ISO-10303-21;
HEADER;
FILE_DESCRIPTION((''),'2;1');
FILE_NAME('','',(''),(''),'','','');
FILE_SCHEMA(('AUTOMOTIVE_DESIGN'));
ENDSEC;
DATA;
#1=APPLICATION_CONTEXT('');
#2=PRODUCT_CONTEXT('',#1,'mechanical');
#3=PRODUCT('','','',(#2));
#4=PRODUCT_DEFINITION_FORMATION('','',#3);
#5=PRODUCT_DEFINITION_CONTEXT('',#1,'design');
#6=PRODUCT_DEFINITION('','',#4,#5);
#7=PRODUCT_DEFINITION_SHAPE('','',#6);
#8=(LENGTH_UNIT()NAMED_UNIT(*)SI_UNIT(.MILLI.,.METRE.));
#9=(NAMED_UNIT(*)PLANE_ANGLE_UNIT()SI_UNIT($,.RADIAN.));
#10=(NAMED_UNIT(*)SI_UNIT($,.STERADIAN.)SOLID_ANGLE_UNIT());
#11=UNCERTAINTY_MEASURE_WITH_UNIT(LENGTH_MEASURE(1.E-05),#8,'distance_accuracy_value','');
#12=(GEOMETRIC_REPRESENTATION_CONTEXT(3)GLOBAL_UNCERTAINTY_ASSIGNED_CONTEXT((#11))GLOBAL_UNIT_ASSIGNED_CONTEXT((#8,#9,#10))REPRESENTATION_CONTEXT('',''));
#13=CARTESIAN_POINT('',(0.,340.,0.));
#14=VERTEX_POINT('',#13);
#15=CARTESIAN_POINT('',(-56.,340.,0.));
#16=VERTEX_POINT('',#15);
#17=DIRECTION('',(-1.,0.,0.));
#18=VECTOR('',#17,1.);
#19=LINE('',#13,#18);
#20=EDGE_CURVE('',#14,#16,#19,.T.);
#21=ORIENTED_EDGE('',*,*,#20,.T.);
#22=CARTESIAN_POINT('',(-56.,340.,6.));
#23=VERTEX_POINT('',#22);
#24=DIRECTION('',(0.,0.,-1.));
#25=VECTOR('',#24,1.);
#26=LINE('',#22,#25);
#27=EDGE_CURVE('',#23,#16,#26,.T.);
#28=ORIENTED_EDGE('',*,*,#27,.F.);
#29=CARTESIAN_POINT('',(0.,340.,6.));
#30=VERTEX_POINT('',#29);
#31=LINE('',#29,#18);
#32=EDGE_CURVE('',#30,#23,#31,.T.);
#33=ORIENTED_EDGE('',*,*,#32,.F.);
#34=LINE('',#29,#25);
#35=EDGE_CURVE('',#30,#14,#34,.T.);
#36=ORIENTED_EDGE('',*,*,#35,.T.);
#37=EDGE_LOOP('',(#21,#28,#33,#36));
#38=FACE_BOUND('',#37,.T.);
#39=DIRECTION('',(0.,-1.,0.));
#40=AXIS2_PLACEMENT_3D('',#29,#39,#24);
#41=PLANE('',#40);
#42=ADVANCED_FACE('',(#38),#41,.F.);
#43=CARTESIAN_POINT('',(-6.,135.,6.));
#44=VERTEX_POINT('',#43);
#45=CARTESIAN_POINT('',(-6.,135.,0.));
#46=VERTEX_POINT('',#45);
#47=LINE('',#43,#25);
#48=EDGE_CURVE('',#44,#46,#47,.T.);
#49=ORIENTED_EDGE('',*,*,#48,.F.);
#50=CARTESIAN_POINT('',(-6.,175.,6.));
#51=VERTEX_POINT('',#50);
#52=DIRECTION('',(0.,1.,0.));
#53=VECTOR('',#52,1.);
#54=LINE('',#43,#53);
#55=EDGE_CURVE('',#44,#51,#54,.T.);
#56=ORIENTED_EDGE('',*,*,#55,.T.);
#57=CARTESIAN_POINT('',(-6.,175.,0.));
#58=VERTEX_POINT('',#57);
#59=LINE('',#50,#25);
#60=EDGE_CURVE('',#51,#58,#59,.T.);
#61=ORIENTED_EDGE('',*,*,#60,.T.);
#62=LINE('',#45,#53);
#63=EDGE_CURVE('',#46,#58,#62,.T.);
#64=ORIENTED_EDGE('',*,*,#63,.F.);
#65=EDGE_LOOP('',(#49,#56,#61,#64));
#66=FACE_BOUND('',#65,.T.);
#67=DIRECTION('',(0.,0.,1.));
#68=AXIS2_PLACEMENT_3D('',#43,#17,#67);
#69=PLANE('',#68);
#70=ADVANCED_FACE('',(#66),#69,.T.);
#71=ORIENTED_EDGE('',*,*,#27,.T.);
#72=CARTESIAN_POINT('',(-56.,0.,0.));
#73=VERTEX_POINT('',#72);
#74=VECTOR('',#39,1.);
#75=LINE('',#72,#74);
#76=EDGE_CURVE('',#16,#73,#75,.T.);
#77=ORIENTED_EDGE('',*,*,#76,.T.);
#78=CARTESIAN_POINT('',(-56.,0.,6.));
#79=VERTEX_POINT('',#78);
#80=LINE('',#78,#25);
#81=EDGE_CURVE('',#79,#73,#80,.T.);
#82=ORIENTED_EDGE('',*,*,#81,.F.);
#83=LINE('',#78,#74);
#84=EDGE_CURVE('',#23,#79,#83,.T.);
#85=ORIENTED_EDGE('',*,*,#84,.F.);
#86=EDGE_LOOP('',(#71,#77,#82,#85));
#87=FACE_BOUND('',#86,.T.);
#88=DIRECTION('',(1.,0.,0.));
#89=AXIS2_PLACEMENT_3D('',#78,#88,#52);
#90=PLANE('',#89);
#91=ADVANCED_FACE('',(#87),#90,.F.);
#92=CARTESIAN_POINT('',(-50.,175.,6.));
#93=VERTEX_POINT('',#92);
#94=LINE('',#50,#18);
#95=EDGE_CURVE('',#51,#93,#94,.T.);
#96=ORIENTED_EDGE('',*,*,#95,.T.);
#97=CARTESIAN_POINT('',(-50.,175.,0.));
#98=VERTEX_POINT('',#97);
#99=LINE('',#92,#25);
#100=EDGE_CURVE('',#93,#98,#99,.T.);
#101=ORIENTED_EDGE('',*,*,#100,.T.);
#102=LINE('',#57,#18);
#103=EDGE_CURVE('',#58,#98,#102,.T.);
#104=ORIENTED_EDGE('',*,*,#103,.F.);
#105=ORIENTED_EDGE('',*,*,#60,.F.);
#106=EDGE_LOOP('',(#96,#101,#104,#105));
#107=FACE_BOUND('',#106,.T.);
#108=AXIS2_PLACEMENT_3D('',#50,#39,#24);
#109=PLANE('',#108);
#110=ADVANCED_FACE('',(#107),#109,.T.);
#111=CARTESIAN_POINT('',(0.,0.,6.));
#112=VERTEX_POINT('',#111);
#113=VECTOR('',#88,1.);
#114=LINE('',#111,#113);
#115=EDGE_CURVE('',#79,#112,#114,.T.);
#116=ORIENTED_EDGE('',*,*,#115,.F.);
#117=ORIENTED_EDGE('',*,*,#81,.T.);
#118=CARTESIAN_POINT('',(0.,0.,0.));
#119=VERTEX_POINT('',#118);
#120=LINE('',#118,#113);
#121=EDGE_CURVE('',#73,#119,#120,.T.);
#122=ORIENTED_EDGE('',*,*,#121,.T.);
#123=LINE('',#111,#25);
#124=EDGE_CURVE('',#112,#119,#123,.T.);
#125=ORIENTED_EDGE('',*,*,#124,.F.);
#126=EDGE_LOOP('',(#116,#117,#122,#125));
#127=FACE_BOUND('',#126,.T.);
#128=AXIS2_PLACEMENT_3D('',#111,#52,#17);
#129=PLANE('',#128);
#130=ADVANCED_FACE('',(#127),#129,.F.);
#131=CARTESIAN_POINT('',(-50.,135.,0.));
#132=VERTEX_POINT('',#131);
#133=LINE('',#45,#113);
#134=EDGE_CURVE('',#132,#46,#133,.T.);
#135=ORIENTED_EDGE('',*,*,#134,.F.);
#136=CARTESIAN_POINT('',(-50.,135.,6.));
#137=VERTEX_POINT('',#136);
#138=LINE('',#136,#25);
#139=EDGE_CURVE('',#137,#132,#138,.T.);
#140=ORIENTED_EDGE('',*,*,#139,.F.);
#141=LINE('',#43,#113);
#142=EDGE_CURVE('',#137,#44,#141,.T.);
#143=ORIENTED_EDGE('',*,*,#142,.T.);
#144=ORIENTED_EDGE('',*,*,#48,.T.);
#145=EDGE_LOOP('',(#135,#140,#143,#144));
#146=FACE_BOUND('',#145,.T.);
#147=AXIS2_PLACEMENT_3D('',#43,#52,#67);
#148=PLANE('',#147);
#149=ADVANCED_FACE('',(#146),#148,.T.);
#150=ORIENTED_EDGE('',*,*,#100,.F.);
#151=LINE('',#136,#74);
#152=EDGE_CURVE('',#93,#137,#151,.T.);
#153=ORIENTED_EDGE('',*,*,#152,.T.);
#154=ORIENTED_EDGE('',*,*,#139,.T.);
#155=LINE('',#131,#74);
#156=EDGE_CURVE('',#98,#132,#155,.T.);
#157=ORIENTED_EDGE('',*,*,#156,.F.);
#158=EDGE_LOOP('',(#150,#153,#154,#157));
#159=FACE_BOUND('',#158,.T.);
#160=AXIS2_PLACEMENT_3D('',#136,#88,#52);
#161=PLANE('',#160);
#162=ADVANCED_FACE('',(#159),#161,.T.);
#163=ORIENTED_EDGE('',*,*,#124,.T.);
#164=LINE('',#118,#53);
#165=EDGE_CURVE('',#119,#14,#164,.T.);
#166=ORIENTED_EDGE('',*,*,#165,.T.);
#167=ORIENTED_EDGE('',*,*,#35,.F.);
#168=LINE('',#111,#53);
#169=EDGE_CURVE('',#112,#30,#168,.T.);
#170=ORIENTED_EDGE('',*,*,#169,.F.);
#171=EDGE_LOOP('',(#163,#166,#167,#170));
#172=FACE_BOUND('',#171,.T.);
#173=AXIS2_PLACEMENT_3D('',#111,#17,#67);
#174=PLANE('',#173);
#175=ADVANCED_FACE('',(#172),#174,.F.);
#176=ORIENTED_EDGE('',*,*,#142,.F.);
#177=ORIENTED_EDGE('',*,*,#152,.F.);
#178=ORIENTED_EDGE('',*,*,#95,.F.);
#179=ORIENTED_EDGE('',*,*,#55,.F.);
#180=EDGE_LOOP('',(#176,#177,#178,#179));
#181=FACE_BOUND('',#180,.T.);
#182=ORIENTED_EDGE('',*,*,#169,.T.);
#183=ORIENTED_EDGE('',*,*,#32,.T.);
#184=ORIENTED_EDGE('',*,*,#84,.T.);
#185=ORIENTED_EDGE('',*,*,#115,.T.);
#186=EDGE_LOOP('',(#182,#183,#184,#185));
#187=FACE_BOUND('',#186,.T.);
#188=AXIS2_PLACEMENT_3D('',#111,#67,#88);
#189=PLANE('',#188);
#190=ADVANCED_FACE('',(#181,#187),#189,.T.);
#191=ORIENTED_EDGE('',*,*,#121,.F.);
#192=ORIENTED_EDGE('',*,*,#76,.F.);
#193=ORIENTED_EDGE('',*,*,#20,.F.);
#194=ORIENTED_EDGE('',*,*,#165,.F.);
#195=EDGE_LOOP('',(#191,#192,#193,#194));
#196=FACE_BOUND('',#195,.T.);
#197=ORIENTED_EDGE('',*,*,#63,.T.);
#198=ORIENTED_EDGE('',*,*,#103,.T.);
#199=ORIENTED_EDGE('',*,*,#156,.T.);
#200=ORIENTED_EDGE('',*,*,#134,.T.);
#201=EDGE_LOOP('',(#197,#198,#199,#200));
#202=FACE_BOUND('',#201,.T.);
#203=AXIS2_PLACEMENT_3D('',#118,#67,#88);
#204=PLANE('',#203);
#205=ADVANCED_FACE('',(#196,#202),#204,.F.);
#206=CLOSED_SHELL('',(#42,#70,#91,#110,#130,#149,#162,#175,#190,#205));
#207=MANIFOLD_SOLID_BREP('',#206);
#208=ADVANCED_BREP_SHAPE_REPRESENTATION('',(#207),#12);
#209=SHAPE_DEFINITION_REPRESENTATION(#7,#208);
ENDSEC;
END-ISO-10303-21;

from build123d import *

# Parameters (mm, degrees)
ESQUISSE1_W        = 56
ESQUISSE1_H        = 340
ESQUISSE1_W_2      = 44
ESQUISSE1_H_2      = 40
BOSS_EXTRU_1_DEPTH = 6


with BuildPart() as part:
    # Esquisse1 → Boss.-Extru.1 (new body)
    with BuildSketch(Plane.XY):
        with Locations((-28, 170)):
            Rectangle(ESQUISSE1_W, ESQUISSE1_H)
        with Locations((-28, 155)):
            Rectangle(ESQUISSE1_W_2, ESQUISSE1_H_2, mode=Mode.SUBTRACT)
    extrude(amount=BOSS_EXTRU_1_DEPTH)


solid = part.part
